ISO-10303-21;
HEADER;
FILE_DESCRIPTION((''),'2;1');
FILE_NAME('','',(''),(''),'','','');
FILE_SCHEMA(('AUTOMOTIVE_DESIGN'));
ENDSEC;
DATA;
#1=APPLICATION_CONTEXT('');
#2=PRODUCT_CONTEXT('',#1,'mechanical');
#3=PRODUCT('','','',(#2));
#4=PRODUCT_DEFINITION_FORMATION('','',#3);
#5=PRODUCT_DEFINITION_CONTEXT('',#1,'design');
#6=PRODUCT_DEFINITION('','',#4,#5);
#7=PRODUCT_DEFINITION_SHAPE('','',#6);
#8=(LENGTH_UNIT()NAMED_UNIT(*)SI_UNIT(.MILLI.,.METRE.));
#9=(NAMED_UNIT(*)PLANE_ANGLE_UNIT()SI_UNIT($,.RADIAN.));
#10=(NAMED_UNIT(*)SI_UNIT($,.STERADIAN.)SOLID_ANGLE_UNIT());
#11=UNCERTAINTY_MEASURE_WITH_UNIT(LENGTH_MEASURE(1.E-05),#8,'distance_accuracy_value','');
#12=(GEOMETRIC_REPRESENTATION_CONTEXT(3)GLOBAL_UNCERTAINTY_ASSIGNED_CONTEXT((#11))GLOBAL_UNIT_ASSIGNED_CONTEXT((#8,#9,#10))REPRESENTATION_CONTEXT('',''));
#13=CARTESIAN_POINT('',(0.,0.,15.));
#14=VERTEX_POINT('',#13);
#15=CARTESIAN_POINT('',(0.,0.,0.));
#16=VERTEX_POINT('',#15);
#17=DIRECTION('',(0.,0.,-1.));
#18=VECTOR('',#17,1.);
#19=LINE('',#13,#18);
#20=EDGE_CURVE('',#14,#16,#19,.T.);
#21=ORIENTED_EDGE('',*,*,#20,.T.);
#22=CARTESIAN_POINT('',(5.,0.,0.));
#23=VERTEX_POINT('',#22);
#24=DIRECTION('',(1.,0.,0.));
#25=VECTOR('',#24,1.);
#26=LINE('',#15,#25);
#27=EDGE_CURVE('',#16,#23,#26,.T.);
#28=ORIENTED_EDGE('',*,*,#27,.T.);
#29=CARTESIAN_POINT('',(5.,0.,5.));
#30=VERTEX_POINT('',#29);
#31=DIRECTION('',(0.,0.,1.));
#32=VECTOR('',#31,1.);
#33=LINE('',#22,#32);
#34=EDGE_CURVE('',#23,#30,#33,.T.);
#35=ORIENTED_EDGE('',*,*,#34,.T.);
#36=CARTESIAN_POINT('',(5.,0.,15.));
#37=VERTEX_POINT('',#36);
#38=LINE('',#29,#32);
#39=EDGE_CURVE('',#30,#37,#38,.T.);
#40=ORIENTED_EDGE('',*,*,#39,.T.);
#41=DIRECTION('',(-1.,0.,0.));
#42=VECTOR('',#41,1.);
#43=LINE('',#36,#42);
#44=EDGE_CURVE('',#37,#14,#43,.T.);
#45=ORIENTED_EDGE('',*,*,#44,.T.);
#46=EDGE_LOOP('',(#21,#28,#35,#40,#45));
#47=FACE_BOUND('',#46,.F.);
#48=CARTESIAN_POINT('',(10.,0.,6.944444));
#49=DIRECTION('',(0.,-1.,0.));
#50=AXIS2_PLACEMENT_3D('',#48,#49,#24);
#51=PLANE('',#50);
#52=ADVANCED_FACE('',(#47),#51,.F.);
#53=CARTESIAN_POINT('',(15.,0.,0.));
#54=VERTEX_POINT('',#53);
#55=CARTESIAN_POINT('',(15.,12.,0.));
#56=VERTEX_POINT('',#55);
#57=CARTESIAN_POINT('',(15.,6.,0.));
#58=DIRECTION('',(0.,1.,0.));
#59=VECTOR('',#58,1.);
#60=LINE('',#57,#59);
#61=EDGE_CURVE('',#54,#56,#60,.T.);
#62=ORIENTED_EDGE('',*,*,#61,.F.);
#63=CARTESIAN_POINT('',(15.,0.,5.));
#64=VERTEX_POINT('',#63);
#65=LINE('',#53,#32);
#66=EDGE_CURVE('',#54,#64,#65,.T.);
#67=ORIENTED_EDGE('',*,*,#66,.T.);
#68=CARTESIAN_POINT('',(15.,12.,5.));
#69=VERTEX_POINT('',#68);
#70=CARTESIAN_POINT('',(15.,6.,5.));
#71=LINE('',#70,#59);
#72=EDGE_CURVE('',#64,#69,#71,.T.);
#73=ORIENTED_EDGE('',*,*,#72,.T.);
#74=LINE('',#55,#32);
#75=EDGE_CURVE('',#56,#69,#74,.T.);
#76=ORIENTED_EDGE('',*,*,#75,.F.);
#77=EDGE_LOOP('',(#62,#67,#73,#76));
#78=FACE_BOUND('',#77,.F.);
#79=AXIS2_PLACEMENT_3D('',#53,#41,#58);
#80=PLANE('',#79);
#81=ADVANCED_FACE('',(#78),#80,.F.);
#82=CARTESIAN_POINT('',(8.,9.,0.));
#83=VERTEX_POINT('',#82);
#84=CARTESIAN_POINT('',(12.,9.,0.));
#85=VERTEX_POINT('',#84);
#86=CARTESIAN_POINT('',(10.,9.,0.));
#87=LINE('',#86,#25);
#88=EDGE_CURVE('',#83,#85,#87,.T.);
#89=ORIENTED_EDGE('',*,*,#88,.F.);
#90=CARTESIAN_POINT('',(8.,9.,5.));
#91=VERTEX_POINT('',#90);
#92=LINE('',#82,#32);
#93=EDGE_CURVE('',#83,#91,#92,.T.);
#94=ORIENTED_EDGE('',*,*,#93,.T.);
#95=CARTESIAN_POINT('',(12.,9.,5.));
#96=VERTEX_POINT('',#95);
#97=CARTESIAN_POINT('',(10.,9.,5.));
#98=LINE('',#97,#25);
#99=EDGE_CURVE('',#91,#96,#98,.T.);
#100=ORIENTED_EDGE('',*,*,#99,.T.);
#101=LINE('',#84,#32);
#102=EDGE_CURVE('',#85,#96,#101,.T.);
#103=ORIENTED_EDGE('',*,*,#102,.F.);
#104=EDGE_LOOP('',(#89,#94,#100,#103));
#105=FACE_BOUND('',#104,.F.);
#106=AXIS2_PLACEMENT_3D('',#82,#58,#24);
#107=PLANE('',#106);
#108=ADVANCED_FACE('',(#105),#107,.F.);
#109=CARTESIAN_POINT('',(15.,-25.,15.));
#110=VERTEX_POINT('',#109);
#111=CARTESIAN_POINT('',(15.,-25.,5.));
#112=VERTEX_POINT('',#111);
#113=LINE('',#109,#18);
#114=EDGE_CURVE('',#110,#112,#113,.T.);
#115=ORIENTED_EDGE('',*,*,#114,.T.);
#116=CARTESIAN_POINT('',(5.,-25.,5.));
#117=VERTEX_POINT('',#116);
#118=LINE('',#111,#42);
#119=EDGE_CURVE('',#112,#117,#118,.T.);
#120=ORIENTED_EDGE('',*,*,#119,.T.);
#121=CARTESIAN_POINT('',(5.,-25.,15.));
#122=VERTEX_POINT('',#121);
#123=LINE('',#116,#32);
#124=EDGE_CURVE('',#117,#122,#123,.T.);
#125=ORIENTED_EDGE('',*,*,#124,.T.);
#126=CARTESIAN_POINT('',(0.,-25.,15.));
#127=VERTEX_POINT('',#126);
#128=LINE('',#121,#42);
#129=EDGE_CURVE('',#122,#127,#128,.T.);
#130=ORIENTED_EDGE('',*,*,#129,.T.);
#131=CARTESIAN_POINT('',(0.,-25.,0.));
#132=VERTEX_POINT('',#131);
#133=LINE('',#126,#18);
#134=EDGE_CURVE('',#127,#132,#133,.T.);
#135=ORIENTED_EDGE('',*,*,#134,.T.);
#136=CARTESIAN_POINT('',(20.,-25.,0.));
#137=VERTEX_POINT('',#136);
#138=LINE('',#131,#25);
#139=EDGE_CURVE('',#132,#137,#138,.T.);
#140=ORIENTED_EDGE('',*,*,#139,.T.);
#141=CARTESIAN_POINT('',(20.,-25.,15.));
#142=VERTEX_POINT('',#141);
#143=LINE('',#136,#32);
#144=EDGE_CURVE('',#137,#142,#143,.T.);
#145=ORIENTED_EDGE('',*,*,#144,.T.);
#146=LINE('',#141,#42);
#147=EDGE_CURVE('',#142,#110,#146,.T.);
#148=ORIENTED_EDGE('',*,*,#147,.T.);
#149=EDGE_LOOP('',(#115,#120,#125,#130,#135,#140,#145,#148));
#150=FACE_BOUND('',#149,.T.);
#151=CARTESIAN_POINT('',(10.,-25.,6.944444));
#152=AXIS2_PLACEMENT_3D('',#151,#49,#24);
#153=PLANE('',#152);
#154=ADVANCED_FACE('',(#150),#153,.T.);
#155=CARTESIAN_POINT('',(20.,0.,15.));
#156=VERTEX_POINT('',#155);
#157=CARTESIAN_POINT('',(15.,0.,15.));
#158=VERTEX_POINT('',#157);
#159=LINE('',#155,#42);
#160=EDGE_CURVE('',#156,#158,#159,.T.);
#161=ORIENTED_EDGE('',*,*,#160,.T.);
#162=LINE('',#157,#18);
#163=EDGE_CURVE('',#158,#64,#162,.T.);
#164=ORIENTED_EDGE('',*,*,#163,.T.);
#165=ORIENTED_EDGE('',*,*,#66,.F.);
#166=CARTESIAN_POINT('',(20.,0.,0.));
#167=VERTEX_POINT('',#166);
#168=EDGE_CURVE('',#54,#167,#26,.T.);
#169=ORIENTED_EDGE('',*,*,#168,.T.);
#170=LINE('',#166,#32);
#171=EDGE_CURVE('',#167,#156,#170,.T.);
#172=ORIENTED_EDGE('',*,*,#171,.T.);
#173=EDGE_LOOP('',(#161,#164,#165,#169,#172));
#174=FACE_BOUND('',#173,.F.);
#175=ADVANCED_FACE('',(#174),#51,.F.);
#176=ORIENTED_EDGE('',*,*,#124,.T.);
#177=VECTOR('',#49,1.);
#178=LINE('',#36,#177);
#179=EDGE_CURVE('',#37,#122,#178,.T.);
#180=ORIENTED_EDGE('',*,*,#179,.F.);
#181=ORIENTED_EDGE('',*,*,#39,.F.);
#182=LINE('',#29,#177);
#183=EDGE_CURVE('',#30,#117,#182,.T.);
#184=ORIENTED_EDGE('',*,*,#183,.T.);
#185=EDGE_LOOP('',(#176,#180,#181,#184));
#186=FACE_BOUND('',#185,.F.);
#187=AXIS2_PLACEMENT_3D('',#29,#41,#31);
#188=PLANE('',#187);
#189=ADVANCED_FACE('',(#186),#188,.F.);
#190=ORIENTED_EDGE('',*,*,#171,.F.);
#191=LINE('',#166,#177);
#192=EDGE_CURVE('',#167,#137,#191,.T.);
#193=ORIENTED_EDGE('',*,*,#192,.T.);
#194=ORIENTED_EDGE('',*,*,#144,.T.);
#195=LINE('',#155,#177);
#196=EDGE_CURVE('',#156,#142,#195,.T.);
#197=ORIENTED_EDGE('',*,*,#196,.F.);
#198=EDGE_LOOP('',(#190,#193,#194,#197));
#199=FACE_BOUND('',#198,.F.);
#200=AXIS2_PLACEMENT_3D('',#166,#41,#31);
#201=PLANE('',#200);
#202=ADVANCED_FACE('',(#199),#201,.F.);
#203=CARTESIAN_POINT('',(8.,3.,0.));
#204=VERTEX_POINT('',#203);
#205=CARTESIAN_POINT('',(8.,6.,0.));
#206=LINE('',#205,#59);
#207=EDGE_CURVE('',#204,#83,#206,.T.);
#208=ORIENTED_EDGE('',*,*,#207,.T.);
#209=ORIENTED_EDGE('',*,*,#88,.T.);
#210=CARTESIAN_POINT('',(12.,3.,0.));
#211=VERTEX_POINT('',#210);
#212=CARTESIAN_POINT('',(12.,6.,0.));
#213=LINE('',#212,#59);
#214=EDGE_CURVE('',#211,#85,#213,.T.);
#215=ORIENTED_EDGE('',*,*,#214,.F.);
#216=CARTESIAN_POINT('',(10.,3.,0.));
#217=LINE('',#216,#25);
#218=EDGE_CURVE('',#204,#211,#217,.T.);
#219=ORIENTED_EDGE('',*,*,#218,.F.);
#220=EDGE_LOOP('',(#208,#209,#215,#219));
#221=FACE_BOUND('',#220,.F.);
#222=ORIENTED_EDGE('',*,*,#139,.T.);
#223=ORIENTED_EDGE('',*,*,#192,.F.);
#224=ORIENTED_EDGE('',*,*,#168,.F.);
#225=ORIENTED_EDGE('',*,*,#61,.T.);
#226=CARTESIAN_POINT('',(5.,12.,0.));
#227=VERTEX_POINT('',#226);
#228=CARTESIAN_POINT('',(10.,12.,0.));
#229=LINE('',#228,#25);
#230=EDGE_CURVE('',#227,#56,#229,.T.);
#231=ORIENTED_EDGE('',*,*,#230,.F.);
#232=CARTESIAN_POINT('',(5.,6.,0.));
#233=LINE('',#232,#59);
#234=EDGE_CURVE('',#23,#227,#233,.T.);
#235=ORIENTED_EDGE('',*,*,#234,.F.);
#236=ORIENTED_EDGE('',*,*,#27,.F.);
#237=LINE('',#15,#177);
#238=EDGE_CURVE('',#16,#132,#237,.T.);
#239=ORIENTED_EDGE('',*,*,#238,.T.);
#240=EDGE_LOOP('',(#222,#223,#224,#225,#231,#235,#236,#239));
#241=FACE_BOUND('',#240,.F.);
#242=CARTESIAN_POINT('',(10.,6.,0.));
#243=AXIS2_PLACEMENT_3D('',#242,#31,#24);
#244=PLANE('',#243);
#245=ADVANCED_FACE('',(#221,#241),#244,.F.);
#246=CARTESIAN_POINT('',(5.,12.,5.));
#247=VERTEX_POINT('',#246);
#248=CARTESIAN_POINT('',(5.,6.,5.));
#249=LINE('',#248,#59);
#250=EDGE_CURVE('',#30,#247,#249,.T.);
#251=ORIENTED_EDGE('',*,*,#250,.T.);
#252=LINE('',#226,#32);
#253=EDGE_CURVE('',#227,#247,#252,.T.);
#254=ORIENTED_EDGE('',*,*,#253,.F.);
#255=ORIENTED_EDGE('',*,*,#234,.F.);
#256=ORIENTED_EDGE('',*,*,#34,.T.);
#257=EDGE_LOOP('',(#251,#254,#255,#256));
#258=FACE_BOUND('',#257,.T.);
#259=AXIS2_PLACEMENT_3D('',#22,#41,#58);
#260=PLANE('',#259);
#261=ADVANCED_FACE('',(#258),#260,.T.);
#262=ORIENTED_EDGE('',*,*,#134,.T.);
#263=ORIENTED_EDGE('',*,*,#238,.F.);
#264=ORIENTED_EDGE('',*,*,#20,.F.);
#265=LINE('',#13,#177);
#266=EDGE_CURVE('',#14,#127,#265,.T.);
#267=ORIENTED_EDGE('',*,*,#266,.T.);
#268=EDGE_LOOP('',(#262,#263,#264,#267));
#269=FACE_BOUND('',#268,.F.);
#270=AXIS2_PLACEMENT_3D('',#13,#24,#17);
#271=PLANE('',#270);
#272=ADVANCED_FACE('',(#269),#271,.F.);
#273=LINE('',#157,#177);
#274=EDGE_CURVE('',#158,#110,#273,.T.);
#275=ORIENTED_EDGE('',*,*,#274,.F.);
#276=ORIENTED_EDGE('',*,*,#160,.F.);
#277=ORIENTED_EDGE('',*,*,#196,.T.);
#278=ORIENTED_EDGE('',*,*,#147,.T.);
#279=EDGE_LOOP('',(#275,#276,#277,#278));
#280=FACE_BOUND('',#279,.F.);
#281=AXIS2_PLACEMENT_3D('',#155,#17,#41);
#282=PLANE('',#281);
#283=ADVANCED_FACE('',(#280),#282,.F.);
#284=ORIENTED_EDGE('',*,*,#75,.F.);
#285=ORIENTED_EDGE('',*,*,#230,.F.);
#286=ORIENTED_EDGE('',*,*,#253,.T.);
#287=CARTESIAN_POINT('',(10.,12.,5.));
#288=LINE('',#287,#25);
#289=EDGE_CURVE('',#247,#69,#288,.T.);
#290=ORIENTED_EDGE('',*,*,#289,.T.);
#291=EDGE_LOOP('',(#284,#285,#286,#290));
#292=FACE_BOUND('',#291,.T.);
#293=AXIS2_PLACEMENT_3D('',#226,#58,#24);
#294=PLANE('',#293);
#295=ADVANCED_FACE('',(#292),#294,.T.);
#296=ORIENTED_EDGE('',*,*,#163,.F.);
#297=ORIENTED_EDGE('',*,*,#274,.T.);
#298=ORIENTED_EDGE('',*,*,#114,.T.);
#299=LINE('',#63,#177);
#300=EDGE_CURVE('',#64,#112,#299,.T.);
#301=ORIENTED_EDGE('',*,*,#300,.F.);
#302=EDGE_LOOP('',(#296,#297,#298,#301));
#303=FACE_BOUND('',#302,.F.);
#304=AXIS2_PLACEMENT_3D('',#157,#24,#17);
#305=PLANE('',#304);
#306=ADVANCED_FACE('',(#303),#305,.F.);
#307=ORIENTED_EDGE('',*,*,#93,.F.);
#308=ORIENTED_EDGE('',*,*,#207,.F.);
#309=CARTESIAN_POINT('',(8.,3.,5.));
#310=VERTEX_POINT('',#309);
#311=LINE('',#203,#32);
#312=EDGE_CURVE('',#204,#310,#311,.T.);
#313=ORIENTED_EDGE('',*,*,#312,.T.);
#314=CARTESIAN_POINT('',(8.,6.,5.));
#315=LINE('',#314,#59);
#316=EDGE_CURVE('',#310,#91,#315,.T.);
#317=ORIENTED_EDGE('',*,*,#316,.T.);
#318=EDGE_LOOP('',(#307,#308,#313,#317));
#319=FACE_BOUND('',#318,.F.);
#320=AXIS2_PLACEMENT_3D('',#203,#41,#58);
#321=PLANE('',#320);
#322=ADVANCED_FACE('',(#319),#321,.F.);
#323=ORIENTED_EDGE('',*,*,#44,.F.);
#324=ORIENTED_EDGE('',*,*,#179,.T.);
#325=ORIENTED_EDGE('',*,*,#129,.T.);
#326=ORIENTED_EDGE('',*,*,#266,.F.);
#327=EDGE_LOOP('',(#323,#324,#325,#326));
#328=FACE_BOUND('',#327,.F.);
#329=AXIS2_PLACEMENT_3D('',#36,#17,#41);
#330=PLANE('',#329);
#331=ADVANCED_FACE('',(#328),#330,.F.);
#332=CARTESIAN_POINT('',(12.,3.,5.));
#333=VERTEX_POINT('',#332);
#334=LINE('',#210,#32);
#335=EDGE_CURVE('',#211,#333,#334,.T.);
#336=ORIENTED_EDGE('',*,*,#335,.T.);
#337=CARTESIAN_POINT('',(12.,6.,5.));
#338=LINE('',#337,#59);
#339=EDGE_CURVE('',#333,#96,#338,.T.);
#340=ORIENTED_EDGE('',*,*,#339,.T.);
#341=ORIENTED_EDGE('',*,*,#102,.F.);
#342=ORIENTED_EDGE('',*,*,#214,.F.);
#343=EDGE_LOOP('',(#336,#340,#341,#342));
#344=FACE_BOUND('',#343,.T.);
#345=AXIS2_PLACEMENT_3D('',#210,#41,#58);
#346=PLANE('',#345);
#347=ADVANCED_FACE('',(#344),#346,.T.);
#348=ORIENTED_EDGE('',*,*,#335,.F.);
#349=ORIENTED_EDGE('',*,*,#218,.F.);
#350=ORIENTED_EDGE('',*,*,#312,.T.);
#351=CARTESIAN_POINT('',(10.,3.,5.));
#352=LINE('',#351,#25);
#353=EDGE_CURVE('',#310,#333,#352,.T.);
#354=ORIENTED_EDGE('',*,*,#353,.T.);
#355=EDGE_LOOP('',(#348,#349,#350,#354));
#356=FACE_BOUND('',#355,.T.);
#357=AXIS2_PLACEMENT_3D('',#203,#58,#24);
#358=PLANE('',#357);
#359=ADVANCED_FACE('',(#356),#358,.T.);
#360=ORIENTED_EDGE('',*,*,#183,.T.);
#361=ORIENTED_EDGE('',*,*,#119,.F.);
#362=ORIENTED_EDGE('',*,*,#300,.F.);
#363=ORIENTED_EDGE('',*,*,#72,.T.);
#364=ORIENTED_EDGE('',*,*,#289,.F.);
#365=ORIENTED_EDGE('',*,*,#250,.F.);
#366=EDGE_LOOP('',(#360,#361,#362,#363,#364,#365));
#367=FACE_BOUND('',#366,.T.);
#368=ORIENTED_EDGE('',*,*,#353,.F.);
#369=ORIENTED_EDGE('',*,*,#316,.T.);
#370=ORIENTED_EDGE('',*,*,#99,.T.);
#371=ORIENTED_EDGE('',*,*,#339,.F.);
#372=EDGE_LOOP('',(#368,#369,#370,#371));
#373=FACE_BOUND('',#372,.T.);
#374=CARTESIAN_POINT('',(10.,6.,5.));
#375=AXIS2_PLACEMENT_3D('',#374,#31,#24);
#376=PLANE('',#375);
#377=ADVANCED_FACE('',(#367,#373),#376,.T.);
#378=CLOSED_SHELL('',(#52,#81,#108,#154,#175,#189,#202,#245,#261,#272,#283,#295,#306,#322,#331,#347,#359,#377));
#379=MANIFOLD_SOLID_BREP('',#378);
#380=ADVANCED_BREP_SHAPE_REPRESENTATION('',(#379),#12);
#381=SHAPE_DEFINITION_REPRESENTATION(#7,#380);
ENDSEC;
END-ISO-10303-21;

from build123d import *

# Parameters (mm, degrees)
F1_DEPTH = 25
F2_W     = 10
F2_H     = 12
F2_W_2   = 4
F2_H_2   = 6
F3_DEPTH = 5


with BuildPart() as f1:
    # F0 (on Front) → F1 (new body)
    with BuildSketch(Plane.XZ):
        Polygon((0, 15), (0, 0), (20, 0), (20, 15), (15, 15), (15, 5), (5, 5), (5, 15), align=None)
    extrude(amount=F1_DEPTH)

    # F2 (on Top) → F3 (join)
    with BuildSketch(Plane.XY):
        with Locations((10, 6)):
            Rectangle(F2_W, F2_H)
        with Locations((10, 6)):
            Rectangle(F2_W_2, F2_H_2, mode=Mode.SUBTRACT)
    extrude(amount=F3_DEPTH)


solid = f1.part
